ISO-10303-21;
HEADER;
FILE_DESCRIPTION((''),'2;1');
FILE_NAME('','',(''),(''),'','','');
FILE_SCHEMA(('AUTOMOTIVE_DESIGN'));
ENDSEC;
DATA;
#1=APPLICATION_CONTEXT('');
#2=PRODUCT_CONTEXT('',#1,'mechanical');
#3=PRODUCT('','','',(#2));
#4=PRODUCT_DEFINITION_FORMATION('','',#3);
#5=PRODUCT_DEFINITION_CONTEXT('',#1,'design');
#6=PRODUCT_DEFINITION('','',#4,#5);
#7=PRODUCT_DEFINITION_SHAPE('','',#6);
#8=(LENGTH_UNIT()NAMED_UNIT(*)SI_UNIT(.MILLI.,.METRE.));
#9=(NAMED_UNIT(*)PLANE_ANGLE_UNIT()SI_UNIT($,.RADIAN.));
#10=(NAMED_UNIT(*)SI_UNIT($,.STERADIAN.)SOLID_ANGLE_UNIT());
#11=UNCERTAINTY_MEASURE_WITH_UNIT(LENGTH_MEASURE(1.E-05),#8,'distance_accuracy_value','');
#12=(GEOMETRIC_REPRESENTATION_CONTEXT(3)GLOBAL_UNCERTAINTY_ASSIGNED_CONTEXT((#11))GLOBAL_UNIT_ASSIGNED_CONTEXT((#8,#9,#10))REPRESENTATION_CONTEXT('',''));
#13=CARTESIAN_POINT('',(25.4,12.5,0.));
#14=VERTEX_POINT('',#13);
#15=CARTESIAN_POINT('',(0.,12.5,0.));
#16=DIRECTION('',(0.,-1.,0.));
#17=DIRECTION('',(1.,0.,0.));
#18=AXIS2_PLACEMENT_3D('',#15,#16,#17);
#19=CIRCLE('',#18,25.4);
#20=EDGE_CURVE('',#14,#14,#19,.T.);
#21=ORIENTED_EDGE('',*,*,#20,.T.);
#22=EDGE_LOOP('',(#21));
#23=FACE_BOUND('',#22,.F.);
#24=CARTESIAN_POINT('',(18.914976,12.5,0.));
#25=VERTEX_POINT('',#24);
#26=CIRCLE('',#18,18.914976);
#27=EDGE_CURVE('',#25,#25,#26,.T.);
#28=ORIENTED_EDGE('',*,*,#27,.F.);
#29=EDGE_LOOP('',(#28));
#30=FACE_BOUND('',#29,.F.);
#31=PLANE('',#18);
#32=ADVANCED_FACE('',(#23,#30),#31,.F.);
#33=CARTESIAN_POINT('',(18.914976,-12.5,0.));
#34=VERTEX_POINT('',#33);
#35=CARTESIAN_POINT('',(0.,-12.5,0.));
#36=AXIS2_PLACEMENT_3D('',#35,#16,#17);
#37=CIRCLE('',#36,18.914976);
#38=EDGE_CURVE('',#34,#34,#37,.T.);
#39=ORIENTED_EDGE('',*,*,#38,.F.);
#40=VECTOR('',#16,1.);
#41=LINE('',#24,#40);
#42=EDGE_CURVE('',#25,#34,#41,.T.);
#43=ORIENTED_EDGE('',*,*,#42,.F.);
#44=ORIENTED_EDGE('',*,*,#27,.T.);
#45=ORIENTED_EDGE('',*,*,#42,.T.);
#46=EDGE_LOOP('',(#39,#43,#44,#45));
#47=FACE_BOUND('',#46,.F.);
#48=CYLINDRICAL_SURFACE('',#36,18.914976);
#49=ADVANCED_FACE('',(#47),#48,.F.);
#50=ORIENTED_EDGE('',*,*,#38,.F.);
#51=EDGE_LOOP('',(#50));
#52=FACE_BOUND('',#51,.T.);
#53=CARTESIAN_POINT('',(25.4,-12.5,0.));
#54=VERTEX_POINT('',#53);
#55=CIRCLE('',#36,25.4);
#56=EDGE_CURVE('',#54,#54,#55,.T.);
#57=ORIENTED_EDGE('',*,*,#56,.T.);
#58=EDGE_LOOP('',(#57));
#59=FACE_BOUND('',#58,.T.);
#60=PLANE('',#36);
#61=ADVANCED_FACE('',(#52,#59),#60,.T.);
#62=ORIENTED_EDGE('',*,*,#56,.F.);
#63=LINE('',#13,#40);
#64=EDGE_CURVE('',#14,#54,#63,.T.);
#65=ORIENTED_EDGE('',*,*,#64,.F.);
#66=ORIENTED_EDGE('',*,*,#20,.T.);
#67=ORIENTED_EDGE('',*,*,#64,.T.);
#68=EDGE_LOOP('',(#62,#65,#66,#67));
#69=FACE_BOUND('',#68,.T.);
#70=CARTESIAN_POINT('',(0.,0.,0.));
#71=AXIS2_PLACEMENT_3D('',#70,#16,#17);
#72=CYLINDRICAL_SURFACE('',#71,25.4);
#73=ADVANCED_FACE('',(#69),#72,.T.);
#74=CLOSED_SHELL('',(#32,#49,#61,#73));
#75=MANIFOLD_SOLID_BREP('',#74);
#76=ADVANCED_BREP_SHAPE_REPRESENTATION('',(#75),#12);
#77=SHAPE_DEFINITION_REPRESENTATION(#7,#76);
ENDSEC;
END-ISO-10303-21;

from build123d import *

# Parameters (mm, degrees)
F0_R     = 25.4
F1_DEPTH = 12.5
F2_R     = 18.9149764307
F3_DEPTH = 25


with BuildPart() as f1:
    # F0 (on Front) → F1 (new body, symmetric)
    with BuildSketch(Plane.XZ):
        Circle(F0_R)
    extrude(amount=F1_DEPTH, both=True)

    # F2 (on face) → F3 (cut, symmetric)
    with BuildSketch(Plane.XZ.offset(12.5)):
        Circle(F2_R)
    extrude(amount=F3_DEPTH, both=True, mode=Mode.SUBTRACT)


solid = f1.part
